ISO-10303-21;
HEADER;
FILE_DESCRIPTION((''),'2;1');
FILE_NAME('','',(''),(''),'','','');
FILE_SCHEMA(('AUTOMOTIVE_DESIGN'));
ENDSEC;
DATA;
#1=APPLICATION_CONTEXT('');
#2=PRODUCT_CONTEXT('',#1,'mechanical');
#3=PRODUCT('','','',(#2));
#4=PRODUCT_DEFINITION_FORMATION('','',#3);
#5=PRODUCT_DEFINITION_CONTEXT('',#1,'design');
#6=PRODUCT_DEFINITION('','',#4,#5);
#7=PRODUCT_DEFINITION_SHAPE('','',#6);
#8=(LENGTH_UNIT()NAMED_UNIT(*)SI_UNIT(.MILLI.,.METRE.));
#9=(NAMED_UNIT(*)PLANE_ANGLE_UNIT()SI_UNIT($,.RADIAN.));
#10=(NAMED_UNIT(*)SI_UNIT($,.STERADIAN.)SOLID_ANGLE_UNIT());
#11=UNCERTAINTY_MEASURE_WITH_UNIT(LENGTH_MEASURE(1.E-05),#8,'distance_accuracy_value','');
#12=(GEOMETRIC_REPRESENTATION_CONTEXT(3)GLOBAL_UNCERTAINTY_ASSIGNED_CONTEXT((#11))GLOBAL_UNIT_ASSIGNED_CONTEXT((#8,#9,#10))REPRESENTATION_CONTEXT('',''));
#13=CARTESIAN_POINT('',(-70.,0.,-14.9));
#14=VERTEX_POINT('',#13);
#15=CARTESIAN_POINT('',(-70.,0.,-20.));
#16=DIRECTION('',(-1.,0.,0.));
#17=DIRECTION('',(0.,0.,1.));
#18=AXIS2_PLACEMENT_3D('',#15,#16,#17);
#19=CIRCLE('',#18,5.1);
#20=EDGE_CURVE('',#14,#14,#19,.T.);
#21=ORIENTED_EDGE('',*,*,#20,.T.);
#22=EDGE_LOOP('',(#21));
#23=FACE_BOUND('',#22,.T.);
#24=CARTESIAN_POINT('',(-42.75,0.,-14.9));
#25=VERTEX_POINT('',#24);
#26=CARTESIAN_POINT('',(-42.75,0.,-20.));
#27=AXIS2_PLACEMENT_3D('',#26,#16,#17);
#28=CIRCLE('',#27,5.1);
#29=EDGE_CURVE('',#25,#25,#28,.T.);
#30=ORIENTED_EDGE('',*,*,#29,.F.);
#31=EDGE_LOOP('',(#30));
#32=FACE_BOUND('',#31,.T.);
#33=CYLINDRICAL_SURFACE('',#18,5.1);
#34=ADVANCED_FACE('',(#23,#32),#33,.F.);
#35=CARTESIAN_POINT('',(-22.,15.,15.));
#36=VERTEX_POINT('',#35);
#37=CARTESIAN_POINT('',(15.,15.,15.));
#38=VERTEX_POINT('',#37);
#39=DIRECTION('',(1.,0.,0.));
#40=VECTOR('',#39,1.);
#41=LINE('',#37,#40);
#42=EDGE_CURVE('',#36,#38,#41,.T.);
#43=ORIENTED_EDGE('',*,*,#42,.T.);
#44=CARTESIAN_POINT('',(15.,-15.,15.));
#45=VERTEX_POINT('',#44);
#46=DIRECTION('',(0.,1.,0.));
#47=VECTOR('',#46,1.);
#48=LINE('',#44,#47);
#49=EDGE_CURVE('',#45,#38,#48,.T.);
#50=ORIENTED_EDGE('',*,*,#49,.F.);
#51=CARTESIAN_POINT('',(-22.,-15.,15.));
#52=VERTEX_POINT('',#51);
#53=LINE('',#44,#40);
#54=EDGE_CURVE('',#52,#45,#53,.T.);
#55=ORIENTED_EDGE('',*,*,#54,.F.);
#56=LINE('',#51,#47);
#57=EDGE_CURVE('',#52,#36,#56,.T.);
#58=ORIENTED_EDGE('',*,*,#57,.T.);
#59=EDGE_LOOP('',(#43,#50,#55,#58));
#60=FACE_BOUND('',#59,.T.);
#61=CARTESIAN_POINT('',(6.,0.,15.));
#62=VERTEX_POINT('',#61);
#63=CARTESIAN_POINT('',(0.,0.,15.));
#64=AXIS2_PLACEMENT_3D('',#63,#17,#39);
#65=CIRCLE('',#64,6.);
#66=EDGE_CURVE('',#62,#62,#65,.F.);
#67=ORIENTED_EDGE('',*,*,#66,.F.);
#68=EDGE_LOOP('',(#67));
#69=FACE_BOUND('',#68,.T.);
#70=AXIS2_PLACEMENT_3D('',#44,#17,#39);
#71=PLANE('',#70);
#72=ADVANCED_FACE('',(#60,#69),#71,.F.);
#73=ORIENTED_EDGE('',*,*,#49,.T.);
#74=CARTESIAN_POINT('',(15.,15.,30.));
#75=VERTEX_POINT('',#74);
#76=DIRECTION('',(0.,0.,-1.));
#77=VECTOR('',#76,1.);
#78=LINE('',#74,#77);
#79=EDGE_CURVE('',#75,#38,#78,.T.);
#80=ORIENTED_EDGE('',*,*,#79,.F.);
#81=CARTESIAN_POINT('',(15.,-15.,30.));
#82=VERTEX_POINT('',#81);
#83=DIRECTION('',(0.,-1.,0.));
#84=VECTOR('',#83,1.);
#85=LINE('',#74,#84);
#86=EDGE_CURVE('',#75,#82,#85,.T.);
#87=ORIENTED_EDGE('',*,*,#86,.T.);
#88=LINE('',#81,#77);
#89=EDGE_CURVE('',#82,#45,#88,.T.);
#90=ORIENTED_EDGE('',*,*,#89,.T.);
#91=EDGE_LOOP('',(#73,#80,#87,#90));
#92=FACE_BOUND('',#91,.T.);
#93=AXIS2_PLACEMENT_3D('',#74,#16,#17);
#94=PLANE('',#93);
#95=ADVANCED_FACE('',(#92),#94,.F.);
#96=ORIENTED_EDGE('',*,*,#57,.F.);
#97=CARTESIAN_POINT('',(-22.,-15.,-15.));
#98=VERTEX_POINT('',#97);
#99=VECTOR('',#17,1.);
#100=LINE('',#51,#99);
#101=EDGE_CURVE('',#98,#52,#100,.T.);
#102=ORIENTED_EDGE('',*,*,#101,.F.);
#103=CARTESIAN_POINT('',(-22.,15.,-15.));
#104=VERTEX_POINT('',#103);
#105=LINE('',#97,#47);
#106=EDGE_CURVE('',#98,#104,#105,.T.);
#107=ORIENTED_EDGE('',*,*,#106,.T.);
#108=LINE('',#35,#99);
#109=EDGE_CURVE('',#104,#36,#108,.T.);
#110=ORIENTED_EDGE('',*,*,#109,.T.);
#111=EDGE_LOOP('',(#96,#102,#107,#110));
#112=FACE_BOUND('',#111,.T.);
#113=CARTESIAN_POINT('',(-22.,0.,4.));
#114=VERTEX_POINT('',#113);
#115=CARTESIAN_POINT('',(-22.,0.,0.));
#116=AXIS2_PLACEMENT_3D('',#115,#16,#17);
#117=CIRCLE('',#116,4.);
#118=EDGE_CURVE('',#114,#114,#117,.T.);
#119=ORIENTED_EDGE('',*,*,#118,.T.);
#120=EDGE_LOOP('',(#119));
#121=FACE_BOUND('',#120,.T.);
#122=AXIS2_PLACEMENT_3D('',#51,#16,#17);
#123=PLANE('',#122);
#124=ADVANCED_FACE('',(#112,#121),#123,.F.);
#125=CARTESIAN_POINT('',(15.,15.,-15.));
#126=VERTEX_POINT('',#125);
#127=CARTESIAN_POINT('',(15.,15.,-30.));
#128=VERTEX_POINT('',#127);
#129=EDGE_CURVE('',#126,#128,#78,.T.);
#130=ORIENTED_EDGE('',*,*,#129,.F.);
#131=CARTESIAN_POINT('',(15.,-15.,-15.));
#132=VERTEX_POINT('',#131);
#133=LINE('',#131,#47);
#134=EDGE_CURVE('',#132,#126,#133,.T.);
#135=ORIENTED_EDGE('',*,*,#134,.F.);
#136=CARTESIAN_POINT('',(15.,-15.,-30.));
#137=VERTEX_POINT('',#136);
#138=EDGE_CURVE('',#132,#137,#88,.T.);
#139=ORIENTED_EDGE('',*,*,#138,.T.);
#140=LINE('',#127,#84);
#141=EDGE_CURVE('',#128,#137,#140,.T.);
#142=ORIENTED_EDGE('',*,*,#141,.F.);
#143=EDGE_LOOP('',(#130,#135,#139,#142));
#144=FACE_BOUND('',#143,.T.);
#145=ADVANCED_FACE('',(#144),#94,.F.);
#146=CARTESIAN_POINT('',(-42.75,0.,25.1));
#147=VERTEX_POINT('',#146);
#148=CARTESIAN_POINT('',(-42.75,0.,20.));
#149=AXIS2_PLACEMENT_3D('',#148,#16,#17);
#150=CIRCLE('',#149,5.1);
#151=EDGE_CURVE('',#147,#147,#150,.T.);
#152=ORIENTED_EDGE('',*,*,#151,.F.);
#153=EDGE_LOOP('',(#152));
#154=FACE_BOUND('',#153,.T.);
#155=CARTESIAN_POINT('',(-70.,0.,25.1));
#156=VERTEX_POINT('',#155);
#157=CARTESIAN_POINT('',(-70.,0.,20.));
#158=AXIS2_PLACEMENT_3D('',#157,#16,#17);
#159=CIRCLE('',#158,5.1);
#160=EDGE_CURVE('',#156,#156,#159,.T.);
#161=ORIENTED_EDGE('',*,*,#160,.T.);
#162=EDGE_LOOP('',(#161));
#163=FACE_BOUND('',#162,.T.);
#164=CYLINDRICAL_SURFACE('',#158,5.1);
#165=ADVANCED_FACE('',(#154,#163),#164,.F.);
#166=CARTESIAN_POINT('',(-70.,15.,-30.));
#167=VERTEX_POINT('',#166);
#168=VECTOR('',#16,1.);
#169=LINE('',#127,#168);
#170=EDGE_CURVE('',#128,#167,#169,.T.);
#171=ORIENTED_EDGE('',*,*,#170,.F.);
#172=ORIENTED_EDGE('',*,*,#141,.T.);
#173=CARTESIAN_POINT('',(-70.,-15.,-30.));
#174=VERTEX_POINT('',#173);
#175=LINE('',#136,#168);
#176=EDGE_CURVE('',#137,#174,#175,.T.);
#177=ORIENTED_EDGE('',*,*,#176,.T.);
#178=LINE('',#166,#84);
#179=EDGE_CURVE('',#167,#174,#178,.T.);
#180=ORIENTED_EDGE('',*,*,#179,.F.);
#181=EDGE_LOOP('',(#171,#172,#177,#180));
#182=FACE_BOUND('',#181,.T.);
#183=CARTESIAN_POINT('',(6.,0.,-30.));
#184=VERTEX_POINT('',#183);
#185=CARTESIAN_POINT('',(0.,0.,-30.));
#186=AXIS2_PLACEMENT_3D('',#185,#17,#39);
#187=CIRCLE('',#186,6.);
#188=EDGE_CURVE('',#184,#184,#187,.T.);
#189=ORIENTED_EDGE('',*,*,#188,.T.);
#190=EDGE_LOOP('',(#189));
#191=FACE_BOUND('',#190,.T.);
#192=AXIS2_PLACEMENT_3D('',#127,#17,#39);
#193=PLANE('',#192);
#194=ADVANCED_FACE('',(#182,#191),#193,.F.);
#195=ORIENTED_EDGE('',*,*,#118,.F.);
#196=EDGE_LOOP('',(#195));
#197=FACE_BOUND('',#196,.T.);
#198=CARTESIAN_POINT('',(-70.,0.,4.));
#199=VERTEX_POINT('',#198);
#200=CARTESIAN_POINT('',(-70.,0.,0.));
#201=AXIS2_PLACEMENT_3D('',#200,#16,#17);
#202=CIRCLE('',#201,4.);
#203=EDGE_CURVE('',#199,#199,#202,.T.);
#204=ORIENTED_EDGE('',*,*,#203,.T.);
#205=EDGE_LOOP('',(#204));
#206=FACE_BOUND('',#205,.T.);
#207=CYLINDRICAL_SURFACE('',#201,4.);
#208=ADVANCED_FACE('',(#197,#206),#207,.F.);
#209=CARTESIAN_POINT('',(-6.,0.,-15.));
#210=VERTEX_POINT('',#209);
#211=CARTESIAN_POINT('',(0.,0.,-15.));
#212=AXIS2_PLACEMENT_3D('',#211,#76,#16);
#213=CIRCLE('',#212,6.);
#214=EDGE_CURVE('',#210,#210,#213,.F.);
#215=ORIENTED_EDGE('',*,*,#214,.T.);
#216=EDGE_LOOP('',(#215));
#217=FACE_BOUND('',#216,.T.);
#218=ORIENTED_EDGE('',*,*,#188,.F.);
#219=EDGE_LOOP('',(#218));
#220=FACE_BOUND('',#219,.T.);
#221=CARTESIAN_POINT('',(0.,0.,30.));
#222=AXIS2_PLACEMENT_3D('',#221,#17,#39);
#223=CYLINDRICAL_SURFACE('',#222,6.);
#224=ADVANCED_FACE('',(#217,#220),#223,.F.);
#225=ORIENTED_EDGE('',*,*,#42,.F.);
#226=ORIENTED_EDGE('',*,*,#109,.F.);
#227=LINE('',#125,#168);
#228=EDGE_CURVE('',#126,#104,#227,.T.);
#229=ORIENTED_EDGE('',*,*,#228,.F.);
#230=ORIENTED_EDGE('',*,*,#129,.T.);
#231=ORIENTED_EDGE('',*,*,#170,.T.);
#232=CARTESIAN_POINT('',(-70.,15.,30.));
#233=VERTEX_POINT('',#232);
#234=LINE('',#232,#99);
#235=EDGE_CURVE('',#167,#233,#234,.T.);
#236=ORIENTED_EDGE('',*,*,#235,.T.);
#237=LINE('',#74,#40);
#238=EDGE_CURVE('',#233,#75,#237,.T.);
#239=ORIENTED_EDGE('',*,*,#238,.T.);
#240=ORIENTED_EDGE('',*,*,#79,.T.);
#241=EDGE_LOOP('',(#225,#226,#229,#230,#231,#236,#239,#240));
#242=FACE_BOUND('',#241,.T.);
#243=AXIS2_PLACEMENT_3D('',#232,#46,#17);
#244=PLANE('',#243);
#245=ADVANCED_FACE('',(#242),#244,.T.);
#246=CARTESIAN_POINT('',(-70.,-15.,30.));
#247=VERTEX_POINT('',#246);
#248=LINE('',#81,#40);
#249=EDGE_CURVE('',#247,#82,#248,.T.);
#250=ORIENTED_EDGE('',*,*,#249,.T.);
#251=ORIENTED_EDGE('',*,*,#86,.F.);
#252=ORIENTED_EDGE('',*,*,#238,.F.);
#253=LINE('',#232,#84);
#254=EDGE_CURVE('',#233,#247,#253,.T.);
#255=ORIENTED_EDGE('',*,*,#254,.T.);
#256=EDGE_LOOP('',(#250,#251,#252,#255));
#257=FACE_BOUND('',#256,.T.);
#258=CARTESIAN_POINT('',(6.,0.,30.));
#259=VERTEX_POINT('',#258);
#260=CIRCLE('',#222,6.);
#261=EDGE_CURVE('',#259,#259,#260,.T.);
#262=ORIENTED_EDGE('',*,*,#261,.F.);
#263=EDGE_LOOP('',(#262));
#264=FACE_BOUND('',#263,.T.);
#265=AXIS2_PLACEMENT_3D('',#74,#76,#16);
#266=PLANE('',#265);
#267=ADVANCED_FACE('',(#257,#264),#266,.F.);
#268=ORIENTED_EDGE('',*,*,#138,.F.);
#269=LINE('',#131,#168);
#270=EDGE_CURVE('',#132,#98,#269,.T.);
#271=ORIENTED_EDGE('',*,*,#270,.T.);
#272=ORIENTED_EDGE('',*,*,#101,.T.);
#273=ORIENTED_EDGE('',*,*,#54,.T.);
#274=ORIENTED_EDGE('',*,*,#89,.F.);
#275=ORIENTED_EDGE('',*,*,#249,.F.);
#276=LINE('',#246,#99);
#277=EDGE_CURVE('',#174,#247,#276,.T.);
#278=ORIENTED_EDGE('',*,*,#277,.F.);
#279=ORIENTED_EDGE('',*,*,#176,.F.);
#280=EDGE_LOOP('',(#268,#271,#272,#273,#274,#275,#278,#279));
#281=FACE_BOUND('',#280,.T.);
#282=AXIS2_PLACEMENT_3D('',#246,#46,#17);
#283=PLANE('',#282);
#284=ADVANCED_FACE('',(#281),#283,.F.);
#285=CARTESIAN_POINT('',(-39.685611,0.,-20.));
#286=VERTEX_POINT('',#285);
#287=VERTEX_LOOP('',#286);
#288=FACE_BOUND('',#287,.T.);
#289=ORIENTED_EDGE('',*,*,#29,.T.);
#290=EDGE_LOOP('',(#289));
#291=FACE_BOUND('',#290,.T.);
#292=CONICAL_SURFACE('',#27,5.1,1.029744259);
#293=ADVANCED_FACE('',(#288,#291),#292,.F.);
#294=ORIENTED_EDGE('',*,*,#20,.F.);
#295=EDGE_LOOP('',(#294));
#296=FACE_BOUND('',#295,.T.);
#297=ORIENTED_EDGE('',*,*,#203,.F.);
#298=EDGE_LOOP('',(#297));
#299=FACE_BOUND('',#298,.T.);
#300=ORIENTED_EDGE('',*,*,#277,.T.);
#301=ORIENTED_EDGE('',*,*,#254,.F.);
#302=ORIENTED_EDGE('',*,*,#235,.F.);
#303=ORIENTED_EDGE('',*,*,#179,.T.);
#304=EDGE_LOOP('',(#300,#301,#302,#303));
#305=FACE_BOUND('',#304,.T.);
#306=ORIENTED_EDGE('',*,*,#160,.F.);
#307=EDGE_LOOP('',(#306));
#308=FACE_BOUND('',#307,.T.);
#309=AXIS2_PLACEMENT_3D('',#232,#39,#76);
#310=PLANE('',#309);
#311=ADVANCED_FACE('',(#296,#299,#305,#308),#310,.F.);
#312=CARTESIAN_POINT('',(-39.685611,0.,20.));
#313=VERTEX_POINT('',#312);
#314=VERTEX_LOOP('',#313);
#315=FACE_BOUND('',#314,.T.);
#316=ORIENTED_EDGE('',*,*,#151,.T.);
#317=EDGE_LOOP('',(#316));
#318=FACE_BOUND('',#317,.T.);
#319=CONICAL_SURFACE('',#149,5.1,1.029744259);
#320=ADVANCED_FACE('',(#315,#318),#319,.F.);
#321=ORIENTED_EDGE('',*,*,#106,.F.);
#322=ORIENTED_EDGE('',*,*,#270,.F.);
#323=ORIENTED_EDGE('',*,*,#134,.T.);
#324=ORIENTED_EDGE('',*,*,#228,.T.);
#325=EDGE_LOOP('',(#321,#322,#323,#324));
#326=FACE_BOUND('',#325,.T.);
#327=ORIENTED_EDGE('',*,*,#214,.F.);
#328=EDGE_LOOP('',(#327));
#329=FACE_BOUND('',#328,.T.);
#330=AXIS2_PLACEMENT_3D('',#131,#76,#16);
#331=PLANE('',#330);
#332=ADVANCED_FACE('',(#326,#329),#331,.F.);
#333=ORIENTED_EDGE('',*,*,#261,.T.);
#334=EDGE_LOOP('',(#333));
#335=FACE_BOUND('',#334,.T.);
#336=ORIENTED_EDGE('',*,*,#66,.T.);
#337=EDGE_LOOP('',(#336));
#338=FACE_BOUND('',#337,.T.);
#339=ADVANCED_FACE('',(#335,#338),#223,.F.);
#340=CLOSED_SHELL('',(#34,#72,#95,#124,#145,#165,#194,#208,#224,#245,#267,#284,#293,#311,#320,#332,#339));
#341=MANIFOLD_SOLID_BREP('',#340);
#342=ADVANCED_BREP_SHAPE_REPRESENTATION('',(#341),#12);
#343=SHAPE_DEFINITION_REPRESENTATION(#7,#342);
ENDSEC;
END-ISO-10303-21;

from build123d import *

# Parameters (mm, degrees)
SKETCH1_W                  = 85
SKETCH1_H                  = 60
EXTRUDE1_DEPTH             = 15
F_12_0_12_DIAMETER_HOLE1_D = 12
SKETCH4_W                  = 37
SKETCH4_H                  = 30
CUT_EXTRUDE1_DEPTH         = 82.853527719
F_8_0_8_DIAMETER_HOLE1_D   = 8


with BuildPart() as part:
    # Sketch1 → Extrude1 (new, symmetric)
    with BuildSketch(Plane(origin=(0, 0, 0), x_dir=(1, 0, 0), z_dir=(0, 1, 0))):
        with Locations((-27.5, 0)):
            Rectangle(SKETCH1_W, SKETCH1_H)
    extrude(amount=EXTRUDE1_DEPTH, both=True)

    # Ø12.0 (12) Diameter Hole1 (through all)
    with Locations(Plane.XY.offset(30)):
        with Locations((0, 0)):
            Hole(F_12_0_12_DIAMETER_HOLE1_D / 2)

    # Sketch4 → Cut-Extrude1 (cut, through all)
    with BuildSketch(Plane(origin=(0, 15, 0), x_dir=(1, 0, 0), z_dir=(0, 1, 0))):
        with Locations((-3.5, 0)):
            Rectangle(SKETCH4_W, SKETCH4_H)
    extrude(amount=-CUT_EXTRUDE1_DEPTH, mode=Mode.SUBTRACT)

    # Ø8.0 (8) Diameter Hole1 (through all)
    with Locations(Plane.ZY.offset(70)):
        with Locations((0, 0)):
            Hole(F_8_0_8_DIAMETER_HOLE1_D / 2)

    # Sketch9 → M12x1.75 Tapped Hole1 (revolve, cut)
    with BuildSketch(Plane(origin=(-70, 0, -20), x_dir=(0, 0, 1), z_dir=(0, 1, 0))):
        Polygon((0, 0), (0, 30.314389157), (5.1, 27.25), (5.1, 0), align=None)
    m12x1_75_tapped_hole1 = revolve(axis=Axis((-76.35, 0, -20), (1, 0, 0)), mode=Mode.SUBTRACT)

    # Mirror1: M12x1.75 Tapped Hole1 across plane
    add(m12x1_75_tapped_hole1.mirror(Plane.XY), mode=Mode.SUBTRACT)


solid = part.part
